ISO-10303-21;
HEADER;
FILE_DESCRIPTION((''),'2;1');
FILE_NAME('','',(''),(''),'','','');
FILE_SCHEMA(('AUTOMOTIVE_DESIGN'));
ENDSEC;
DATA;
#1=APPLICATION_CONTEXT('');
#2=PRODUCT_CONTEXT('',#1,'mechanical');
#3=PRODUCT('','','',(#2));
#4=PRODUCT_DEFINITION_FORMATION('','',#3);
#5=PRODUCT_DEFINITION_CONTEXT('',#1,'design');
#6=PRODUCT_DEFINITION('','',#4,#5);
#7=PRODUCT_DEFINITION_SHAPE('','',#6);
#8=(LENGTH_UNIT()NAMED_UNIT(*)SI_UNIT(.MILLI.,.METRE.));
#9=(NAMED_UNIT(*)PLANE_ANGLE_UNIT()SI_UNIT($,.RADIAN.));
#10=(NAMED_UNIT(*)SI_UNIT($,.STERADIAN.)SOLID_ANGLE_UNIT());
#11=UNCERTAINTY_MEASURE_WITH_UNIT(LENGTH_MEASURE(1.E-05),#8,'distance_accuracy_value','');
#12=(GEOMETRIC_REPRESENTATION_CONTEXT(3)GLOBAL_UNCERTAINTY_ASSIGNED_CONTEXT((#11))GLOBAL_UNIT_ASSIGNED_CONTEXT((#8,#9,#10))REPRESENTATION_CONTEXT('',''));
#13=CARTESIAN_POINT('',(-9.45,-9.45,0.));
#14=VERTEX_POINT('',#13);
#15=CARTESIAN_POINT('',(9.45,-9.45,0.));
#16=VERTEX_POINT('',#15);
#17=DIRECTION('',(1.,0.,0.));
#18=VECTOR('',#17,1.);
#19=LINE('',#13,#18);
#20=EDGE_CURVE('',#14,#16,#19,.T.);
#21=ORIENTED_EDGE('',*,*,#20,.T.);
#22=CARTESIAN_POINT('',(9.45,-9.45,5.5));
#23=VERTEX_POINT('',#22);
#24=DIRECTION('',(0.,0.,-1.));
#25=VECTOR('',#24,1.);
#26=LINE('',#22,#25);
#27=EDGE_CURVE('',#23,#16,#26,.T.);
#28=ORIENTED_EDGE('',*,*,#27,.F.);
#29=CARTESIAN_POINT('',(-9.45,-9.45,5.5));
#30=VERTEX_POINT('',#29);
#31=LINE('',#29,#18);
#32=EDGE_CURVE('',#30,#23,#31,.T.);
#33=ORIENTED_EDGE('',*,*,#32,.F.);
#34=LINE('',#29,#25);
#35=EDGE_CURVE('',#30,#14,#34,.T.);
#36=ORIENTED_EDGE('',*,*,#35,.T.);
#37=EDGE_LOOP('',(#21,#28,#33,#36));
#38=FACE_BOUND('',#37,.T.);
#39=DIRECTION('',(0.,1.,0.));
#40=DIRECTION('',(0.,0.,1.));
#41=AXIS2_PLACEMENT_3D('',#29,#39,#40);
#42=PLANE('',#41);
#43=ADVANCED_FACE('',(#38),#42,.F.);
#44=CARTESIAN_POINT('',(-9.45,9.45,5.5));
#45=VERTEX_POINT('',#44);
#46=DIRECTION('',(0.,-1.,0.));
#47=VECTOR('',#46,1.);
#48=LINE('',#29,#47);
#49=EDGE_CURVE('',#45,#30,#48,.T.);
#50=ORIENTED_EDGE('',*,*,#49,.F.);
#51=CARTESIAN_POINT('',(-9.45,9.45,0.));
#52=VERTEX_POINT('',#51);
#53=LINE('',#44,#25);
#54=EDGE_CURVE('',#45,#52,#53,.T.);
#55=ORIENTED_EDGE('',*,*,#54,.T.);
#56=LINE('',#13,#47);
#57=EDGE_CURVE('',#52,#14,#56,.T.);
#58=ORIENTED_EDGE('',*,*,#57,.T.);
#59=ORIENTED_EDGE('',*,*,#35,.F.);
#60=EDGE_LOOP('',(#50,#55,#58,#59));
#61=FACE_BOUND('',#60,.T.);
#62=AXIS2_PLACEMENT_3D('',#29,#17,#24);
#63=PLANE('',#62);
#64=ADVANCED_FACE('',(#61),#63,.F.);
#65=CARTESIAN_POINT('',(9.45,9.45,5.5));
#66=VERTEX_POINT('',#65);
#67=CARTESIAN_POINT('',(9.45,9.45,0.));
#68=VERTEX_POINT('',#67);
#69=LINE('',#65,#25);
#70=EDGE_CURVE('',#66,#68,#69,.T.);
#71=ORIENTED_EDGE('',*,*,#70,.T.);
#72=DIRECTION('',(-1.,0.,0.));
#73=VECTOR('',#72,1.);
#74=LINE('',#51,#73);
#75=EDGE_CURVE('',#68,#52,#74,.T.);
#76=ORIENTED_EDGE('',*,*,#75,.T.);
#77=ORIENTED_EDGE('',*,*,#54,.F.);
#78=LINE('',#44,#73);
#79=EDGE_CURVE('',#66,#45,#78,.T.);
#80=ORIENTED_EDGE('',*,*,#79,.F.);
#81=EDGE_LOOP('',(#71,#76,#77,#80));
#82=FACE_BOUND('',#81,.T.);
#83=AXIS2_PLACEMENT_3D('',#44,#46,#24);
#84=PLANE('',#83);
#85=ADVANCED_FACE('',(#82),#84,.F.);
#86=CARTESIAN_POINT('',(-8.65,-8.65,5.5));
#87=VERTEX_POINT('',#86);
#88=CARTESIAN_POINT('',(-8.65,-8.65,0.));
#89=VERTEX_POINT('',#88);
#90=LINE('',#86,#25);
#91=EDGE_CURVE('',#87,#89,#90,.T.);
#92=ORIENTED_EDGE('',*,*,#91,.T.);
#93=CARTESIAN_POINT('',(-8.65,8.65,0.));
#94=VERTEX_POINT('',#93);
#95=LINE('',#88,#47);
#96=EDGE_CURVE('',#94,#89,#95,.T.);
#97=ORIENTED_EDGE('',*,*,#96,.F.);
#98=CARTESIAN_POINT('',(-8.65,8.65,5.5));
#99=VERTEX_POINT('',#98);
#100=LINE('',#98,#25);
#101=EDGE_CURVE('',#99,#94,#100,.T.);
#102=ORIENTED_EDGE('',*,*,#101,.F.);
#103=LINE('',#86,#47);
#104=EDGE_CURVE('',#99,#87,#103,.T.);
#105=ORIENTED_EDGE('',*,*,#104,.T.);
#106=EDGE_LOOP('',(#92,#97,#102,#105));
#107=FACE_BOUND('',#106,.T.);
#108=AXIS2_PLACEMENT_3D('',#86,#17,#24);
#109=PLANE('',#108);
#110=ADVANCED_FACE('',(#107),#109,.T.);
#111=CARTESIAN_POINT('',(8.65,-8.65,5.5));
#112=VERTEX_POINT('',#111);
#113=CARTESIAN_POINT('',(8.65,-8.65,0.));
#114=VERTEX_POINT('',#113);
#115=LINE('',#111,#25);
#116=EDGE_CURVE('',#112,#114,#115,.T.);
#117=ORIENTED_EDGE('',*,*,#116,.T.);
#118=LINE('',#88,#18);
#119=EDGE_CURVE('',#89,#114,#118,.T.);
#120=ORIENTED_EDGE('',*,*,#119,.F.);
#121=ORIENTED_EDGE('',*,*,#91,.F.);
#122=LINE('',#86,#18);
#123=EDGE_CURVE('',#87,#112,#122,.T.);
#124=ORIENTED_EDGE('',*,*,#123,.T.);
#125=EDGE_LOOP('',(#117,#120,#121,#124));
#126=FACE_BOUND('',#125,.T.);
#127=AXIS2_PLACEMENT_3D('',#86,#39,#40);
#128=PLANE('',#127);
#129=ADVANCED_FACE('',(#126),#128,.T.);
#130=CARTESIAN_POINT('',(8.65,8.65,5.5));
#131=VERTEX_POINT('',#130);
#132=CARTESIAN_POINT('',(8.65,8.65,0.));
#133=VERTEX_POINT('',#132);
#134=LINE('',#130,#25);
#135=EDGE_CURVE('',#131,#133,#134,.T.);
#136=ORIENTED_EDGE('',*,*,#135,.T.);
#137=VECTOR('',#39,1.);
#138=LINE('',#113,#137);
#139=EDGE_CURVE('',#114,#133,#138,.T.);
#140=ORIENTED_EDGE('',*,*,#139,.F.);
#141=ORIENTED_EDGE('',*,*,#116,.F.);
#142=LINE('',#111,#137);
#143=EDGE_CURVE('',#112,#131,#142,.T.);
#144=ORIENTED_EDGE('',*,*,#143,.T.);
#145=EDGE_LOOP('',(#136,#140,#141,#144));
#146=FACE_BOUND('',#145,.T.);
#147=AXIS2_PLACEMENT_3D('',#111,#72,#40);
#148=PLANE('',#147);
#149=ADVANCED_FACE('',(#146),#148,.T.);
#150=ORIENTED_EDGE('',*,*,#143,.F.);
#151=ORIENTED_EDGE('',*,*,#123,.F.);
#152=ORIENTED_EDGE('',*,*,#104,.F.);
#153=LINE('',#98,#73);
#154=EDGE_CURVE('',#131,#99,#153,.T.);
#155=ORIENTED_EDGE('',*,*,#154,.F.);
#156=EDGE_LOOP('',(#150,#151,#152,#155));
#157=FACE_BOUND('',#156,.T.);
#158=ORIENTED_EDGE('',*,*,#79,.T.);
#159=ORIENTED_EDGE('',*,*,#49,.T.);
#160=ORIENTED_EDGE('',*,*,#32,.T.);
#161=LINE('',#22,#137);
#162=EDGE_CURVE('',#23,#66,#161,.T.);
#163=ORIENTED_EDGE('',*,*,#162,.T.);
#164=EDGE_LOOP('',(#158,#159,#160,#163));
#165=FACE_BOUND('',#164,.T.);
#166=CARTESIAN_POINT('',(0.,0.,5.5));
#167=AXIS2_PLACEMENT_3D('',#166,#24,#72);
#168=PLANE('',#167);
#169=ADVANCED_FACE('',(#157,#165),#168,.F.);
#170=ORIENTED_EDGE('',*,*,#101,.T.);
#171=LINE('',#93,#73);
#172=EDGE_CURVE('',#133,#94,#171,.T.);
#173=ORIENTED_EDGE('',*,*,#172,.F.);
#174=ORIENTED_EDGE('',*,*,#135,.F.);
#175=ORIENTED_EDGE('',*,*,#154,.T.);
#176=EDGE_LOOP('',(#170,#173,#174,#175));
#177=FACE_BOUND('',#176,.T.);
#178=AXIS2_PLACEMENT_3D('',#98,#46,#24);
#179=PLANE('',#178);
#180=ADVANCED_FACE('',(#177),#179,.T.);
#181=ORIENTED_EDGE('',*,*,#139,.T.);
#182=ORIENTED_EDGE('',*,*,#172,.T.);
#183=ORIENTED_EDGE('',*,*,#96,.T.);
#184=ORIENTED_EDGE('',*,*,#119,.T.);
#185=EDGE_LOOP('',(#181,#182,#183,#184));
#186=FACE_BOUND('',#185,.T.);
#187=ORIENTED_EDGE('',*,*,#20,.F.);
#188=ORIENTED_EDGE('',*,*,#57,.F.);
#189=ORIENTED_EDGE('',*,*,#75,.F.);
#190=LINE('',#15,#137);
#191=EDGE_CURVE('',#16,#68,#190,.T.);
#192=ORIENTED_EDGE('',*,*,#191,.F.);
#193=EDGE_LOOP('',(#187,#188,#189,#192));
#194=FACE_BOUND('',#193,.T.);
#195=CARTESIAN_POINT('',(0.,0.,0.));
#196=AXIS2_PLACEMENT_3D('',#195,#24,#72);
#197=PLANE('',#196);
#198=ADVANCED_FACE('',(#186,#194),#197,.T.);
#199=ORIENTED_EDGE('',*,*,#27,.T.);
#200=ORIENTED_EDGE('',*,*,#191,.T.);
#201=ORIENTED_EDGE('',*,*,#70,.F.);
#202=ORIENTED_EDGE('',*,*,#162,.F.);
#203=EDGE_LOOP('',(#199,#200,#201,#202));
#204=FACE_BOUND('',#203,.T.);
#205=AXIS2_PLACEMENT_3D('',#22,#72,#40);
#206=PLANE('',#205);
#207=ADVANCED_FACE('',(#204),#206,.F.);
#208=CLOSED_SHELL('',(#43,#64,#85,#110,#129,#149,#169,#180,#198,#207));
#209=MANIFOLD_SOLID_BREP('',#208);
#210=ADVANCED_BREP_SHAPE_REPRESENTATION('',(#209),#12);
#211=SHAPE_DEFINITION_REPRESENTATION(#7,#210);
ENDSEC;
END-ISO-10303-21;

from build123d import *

# Parameters (mm, degrees)
SKETCH1_W           = 18.9
SKETCH1_H           = 18.9
SKETCH1_W_2         = 17.3
SKETCH1_H_2         = 17.3
BOSS_EXTRUDE1_DEPTH = 5.5


with BuildPart() as part:
    # Sketch1 → Boss-Extrude1 (new body)
    with BuildSketch(Plane.XY):
        Rectangle(SKETCH1_W, SKETCH1_H)
        Rectangle(SKETCH1_W_2, SKETCH1_H_2, mode=Mode.SUBTRACT)
    extrude(amount=BOSS_EXTRUDE1_DEPTH)


solid = part.part
